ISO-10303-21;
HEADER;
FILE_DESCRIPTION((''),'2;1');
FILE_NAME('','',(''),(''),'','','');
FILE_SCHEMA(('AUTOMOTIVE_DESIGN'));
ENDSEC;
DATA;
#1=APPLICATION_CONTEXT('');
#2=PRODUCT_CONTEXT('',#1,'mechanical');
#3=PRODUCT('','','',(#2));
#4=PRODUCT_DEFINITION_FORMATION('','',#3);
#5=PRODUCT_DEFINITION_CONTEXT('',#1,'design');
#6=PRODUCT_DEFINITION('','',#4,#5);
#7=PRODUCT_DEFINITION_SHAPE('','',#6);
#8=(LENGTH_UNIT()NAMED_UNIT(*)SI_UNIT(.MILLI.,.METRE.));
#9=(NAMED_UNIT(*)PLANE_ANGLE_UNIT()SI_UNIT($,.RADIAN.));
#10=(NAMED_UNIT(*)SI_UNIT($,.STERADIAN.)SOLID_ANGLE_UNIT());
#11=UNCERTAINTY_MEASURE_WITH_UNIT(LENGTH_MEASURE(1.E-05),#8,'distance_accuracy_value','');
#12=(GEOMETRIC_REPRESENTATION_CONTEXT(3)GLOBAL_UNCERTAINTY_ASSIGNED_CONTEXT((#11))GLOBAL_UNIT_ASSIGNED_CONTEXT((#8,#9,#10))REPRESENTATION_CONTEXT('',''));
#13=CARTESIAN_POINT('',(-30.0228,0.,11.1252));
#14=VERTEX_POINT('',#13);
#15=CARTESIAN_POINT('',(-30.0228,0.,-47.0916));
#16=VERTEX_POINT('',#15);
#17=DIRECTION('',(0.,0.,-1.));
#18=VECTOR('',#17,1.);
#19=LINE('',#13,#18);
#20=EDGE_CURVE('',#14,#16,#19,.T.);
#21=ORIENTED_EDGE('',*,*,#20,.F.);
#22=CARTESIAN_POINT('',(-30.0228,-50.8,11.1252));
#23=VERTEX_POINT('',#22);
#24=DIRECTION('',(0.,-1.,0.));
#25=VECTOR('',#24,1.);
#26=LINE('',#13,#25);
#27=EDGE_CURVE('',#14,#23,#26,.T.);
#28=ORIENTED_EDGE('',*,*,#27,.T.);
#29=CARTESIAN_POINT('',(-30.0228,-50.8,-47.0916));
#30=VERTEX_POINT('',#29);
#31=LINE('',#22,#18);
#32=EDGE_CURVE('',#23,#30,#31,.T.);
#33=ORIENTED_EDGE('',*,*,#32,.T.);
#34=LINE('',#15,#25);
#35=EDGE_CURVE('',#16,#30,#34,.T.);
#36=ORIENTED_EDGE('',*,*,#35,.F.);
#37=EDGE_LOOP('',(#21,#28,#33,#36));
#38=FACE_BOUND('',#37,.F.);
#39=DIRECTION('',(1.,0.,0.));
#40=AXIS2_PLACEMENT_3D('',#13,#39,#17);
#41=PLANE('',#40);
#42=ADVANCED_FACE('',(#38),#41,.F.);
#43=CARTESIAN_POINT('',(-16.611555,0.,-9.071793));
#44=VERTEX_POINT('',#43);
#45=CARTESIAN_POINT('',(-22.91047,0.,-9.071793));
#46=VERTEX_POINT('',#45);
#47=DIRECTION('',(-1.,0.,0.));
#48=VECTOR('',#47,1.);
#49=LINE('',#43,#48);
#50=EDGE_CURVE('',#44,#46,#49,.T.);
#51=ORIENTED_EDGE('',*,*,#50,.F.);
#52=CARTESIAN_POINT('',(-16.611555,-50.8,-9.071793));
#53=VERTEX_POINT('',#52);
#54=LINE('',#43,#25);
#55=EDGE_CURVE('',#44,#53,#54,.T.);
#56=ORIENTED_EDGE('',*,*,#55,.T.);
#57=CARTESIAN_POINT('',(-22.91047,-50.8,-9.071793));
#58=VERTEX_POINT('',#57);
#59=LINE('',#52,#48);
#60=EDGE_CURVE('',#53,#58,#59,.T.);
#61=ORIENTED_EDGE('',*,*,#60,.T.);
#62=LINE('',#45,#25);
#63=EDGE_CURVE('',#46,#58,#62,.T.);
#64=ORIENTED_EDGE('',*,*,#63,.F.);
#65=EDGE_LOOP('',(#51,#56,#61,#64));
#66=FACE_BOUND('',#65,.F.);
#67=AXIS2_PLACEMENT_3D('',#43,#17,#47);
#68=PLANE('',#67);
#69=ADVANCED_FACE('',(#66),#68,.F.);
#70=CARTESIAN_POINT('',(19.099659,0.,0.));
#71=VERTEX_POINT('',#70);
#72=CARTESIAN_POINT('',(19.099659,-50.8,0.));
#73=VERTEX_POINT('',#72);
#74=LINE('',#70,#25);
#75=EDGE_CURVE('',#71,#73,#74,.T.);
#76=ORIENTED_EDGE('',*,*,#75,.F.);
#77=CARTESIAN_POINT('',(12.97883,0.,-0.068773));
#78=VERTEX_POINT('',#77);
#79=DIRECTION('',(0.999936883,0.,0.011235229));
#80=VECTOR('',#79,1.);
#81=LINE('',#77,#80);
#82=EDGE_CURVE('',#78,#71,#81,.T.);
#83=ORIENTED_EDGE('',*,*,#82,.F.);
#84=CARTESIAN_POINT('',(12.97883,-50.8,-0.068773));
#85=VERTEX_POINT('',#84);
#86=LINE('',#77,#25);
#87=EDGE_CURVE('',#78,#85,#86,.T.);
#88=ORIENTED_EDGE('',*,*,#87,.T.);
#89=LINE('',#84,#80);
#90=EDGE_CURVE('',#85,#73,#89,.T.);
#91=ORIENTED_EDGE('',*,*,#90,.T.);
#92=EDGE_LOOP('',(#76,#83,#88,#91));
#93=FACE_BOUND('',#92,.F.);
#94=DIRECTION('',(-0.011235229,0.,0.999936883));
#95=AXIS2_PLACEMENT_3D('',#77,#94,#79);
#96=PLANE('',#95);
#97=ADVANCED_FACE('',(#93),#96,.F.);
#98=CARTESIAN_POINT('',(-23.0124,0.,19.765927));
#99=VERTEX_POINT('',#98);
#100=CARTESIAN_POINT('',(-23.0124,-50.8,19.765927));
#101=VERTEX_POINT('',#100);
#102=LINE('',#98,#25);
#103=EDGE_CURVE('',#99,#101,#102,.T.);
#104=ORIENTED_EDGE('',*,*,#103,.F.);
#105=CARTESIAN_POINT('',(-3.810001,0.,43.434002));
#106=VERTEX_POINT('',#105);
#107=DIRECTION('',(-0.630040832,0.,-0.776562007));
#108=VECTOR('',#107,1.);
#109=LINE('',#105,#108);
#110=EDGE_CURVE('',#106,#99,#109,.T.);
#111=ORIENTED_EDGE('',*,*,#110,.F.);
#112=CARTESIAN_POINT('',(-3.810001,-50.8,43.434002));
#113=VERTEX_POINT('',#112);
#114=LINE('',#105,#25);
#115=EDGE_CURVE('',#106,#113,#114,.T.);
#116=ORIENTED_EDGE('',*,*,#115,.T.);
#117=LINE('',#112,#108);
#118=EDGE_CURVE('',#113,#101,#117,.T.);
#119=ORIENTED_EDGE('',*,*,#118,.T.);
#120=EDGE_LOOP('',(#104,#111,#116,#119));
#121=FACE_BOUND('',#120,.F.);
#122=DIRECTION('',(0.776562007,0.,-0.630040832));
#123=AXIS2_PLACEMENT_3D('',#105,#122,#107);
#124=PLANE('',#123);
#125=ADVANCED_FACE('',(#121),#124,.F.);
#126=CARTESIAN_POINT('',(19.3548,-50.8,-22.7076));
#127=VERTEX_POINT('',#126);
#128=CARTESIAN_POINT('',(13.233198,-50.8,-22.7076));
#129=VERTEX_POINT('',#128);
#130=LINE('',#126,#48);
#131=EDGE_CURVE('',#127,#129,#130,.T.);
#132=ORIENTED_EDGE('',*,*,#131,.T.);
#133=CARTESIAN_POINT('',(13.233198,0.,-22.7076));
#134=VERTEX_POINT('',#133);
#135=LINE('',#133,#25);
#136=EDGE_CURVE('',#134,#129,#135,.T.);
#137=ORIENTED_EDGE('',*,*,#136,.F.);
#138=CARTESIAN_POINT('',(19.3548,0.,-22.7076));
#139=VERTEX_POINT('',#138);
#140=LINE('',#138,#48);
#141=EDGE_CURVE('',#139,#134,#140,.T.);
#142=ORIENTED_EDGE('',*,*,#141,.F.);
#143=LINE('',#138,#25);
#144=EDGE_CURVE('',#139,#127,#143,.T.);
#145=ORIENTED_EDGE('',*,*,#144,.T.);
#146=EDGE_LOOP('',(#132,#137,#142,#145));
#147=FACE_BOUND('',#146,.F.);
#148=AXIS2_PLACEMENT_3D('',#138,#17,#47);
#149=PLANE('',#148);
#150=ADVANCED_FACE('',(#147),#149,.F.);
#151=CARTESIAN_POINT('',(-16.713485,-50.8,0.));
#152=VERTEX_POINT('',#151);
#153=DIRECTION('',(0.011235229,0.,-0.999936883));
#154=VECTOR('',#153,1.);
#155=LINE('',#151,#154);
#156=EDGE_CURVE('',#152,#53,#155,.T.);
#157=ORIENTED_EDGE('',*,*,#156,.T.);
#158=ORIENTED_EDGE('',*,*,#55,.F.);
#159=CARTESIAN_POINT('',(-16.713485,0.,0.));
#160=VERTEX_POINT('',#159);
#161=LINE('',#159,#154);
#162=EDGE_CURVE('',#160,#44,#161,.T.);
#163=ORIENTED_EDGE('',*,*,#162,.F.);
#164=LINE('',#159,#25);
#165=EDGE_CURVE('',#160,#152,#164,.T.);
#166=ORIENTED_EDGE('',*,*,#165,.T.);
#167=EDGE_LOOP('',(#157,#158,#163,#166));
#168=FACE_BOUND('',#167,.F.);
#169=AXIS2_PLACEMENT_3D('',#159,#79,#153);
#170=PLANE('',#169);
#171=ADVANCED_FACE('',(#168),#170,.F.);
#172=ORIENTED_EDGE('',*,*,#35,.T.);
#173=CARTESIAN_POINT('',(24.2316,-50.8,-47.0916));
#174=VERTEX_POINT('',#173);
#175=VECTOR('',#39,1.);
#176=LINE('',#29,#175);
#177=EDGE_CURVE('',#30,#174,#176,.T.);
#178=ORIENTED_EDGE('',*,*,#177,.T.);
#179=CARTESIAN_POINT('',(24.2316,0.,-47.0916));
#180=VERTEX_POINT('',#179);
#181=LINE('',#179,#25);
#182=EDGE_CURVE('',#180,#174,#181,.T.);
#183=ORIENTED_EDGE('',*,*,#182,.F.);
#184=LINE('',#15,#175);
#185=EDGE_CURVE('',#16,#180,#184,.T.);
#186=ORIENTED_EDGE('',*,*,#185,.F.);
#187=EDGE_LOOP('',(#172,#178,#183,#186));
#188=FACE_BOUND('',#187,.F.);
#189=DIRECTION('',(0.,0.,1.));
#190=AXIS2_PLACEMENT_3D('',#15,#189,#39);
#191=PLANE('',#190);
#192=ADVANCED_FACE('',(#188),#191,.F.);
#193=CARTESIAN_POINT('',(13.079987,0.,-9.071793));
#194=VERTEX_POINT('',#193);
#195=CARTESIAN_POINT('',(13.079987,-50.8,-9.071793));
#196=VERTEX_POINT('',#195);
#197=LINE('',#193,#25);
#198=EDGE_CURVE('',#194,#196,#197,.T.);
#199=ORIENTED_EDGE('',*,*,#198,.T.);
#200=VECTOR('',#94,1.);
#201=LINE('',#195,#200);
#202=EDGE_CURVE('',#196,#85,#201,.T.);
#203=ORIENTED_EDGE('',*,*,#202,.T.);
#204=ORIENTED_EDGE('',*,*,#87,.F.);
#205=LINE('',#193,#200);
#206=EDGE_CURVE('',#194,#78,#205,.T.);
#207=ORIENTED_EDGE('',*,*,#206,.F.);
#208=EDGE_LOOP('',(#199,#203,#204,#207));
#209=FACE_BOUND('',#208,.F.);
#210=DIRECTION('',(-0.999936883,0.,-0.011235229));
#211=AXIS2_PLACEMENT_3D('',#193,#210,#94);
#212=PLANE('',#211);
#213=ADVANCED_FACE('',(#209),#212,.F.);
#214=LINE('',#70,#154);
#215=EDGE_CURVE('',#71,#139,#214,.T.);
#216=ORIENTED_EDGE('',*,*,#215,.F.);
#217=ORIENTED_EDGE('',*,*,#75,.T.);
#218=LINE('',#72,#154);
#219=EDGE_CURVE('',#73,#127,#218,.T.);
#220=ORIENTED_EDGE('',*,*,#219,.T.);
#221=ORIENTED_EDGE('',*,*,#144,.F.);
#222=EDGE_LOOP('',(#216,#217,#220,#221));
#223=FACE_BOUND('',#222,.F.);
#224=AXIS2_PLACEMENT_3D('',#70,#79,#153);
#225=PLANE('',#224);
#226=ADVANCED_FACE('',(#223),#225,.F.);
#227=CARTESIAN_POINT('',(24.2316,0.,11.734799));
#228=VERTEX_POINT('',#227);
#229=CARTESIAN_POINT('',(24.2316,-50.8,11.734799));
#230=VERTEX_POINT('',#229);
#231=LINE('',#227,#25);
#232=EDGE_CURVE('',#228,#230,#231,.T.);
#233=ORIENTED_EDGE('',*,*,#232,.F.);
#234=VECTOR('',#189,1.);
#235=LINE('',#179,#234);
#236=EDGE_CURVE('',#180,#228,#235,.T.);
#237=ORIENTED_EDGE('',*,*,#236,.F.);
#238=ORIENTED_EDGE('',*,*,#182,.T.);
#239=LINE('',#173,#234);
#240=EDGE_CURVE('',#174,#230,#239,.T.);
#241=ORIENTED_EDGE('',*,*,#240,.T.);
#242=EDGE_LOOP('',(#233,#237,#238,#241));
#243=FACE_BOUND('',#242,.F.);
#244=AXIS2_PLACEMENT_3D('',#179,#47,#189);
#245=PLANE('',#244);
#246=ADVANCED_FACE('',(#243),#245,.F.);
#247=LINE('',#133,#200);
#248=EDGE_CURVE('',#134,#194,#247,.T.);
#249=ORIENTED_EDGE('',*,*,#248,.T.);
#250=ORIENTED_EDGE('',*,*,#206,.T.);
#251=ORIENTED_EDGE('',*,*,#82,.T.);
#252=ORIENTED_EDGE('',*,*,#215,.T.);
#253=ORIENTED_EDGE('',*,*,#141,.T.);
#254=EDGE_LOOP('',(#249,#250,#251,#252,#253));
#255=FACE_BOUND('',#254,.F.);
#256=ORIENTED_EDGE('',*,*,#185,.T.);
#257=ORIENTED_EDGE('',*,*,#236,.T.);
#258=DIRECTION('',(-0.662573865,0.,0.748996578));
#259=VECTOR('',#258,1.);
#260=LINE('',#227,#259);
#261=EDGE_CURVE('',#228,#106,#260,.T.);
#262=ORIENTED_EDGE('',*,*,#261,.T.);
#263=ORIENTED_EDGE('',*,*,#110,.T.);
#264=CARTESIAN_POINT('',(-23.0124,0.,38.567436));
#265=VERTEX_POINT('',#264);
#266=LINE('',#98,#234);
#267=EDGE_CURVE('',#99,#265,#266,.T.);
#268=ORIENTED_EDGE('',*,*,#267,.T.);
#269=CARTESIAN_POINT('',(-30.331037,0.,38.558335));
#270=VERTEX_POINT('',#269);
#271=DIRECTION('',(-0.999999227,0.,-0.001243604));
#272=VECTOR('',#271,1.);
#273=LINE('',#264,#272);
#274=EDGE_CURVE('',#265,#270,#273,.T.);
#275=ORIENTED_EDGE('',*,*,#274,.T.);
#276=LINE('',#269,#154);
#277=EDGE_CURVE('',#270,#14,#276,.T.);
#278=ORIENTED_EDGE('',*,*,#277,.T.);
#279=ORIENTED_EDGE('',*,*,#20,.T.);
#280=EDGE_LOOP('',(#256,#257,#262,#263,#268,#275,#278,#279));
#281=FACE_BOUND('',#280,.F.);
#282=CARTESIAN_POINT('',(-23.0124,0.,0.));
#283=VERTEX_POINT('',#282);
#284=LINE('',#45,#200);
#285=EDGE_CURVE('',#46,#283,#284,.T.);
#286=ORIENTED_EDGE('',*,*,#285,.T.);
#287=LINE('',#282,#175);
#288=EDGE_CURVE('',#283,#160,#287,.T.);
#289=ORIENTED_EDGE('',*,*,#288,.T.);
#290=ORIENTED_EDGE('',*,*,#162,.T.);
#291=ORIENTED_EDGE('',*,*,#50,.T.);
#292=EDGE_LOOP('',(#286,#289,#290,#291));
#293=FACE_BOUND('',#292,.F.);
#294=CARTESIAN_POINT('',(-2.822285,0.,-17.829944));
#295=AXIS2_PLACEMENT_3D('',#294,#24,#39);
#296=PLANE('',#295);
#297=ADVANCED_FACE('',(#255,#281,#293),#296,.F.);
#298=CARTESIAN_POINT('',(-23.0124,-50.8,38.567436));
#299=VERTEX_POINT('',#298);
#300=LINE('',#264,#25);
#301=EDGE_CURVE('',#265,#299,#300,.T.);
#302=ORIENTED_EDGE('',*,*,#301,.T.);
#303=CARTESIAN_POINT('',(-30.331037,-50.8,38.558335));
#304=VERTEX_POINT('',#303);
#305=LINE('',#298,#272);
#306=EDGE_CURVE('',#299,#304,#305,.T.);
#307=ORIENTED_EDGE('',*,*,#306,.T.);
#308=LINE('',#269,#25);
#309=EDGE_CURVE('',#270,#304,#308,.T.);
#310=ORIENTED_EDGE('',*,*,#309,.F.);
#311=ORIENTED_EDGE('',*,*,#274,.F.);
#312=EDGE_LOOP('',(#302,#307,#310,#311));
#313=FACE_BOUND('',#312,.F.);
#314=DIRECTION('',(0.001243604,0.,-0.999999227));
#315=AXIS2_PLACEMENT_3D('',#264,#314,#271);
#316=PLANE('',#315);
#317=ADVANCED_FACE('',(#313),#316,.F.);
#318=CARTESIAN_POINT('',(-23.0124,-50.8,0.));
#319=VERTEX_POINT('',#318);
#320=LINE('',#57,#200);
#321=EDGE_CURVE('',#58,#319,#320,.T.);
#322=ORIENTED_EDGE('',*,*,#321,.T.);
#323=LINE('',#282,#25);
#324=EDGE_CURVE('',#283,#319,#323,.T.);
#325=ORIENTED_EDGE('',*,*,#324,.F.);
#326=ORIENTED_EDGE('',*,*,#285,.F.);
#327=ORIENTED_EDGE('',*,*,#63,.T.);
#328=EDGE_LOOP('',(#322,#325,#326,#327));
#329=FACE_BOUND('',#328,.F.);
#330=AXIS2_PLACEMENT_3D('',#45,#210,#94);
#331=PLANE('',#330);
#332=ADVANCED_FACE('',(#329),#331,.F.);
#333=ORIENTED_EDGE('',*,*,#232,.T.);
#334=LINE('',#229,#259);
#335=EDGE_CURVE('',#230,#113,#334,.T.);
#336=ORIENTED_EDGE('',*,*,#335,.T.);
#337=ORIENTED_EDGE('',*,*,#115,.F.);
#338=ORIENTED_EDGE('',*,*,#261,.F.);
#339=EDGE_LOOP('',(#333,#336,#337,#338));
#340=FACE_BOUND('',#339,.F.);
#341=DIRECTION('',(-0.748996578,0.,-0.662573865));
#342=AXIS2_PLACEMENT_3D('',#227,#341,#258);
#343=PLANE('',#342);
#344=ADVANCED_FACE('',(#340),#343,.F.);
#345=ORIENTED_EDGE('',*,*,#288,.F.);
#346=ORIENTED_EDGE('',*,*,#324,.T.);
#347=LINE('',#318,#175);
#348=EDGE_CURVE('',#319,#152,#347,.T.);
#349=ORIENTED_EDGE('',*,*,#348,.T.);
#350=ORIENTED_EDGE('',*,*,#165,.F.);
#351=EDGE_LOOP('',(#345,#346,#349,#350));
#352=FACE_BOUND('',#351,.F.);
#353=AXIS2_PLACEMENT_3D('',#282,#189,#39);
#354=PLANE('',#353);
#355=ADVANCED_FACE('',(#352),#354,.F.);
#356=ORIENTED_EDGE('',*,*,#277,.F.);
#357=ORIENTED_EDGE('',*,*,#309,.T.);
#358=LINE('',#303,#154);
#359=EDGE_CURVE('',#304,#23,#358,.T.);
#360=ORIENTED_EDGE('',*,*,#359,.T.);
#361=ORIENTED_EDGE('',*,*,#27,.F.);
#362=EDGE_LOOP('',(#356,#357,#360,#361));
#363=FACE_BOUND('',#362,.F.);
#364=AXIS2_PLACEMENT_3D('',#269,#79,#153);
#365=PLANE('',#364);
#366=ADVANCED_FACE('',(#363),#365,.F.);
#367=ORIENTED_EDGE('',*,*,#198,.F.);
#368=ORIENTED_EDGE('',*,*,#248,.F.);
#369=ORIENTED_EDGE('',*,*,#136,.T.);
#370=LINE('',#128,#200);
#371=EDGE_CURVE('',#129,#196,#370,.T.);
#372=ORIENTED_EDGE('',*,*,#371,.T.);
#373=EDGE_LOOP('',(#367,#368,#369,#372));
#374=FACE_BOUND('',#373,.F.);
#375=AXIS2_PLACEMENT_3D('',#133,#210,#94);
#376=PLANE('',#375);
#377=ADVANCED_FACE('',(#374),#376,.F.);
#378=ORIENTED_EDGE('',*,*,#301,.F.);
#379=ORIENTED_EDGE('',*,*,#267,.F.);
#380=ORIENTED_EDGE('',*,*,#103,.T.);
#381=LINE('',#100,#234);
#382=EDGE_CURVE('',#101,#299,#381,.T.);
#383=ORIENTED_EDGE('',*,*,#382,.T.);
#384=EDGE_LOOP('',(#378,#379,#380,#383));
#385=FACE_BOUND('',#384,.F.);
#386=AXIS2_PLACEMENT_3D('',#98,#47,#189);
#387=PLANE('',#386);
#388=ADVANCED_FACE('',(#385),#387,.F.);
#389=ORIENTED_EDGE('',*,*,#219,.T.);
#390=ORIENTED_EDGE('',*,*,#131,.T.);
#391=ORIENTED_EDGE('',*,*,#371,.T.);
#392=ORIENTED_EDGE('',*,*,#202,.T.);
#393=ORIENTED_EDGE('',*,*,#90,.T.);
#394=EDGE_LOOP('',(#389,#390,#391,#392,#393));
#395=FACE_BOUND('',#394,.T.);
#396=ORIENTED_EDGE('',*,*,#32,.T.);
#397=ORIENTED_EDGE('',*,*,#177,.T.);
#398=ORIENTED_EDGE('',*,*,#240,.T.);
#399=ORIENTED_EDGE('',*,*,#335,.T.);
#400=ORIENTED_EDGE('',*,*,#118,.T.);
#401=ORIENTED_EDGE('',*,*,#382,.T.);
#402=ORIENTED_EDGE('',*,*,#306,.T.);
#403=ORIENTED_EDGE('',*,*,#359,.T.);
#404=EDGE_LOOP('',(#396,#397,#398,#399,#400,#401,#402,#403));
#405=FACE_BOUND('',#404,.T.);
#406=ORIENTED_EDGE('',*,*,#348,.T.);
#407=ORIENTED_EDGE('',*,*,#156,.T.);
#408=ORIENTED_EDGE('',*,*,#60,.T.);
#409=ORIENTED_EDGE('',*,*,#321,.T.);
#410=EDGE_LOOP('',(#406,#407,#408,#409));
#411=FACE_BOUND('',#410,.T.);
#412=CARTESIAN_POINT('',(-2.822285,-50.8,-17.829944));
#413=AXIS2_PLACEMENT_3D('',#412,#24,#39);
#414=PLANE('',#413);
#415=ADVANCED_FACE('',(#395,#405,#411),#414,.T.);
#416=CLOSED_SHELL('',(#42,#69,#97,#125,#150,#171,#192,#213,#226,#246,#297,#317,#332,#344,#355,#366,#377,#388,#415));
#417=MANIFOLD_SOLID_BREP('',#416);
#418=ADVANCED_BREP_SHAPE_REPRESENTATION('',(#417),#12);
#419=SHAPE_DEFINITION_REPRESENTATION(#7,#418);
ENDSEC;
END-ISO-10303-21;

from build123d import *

# Parameters (mm, degrees)
F1_DEPTH = 50.8


with BuildPart() as f1:
    # F0 (on Front) → F1 (new body)
    with BuildSketch(Plane.XZ):
        Polygon((24.2315996438, 11.7347994819), (-30.0227999687, 11.1252004281), (-30.0227999687, -47.0915995538), (-12.6492008567, -47.0915995538), (0.2106198864, -47.0915995538), (24.2315996438, -47.0915995538), align=None)
        Polygon((-22.9104695769, -9.0717926099), (-23.0123996735, 0), (-16.7134850742, 0), (-16.6115549776, -9.0717926099), align=None, mode=Mode.SUBTRACT)
        Polygon((19.3547997624, -22.7076001465), (13.2331980053, -22.7076001465), (13.0799869214, -9.0717926099), (12.9788295568, -0.0687732536), (19.0996585819, 0), align=None, mode=Mode.SUBTRACT)
        Polygon((-23.0123996735, 19.7659269483), (-30.0227999687, 11.1252004281), (24.2315996438, 11.7347994819), (-3.8100008387, 43.4340015054), align=None)
        Polygon((-30.331036954, 38.5583345023), (-30.0227999687, 11.1252004281), (-23.0123996735, 19.7659269483), (-23.0123996735, 38.5674359982), align=None)
    extrude(amount=F1_DEPTH)


solid = f1.part
